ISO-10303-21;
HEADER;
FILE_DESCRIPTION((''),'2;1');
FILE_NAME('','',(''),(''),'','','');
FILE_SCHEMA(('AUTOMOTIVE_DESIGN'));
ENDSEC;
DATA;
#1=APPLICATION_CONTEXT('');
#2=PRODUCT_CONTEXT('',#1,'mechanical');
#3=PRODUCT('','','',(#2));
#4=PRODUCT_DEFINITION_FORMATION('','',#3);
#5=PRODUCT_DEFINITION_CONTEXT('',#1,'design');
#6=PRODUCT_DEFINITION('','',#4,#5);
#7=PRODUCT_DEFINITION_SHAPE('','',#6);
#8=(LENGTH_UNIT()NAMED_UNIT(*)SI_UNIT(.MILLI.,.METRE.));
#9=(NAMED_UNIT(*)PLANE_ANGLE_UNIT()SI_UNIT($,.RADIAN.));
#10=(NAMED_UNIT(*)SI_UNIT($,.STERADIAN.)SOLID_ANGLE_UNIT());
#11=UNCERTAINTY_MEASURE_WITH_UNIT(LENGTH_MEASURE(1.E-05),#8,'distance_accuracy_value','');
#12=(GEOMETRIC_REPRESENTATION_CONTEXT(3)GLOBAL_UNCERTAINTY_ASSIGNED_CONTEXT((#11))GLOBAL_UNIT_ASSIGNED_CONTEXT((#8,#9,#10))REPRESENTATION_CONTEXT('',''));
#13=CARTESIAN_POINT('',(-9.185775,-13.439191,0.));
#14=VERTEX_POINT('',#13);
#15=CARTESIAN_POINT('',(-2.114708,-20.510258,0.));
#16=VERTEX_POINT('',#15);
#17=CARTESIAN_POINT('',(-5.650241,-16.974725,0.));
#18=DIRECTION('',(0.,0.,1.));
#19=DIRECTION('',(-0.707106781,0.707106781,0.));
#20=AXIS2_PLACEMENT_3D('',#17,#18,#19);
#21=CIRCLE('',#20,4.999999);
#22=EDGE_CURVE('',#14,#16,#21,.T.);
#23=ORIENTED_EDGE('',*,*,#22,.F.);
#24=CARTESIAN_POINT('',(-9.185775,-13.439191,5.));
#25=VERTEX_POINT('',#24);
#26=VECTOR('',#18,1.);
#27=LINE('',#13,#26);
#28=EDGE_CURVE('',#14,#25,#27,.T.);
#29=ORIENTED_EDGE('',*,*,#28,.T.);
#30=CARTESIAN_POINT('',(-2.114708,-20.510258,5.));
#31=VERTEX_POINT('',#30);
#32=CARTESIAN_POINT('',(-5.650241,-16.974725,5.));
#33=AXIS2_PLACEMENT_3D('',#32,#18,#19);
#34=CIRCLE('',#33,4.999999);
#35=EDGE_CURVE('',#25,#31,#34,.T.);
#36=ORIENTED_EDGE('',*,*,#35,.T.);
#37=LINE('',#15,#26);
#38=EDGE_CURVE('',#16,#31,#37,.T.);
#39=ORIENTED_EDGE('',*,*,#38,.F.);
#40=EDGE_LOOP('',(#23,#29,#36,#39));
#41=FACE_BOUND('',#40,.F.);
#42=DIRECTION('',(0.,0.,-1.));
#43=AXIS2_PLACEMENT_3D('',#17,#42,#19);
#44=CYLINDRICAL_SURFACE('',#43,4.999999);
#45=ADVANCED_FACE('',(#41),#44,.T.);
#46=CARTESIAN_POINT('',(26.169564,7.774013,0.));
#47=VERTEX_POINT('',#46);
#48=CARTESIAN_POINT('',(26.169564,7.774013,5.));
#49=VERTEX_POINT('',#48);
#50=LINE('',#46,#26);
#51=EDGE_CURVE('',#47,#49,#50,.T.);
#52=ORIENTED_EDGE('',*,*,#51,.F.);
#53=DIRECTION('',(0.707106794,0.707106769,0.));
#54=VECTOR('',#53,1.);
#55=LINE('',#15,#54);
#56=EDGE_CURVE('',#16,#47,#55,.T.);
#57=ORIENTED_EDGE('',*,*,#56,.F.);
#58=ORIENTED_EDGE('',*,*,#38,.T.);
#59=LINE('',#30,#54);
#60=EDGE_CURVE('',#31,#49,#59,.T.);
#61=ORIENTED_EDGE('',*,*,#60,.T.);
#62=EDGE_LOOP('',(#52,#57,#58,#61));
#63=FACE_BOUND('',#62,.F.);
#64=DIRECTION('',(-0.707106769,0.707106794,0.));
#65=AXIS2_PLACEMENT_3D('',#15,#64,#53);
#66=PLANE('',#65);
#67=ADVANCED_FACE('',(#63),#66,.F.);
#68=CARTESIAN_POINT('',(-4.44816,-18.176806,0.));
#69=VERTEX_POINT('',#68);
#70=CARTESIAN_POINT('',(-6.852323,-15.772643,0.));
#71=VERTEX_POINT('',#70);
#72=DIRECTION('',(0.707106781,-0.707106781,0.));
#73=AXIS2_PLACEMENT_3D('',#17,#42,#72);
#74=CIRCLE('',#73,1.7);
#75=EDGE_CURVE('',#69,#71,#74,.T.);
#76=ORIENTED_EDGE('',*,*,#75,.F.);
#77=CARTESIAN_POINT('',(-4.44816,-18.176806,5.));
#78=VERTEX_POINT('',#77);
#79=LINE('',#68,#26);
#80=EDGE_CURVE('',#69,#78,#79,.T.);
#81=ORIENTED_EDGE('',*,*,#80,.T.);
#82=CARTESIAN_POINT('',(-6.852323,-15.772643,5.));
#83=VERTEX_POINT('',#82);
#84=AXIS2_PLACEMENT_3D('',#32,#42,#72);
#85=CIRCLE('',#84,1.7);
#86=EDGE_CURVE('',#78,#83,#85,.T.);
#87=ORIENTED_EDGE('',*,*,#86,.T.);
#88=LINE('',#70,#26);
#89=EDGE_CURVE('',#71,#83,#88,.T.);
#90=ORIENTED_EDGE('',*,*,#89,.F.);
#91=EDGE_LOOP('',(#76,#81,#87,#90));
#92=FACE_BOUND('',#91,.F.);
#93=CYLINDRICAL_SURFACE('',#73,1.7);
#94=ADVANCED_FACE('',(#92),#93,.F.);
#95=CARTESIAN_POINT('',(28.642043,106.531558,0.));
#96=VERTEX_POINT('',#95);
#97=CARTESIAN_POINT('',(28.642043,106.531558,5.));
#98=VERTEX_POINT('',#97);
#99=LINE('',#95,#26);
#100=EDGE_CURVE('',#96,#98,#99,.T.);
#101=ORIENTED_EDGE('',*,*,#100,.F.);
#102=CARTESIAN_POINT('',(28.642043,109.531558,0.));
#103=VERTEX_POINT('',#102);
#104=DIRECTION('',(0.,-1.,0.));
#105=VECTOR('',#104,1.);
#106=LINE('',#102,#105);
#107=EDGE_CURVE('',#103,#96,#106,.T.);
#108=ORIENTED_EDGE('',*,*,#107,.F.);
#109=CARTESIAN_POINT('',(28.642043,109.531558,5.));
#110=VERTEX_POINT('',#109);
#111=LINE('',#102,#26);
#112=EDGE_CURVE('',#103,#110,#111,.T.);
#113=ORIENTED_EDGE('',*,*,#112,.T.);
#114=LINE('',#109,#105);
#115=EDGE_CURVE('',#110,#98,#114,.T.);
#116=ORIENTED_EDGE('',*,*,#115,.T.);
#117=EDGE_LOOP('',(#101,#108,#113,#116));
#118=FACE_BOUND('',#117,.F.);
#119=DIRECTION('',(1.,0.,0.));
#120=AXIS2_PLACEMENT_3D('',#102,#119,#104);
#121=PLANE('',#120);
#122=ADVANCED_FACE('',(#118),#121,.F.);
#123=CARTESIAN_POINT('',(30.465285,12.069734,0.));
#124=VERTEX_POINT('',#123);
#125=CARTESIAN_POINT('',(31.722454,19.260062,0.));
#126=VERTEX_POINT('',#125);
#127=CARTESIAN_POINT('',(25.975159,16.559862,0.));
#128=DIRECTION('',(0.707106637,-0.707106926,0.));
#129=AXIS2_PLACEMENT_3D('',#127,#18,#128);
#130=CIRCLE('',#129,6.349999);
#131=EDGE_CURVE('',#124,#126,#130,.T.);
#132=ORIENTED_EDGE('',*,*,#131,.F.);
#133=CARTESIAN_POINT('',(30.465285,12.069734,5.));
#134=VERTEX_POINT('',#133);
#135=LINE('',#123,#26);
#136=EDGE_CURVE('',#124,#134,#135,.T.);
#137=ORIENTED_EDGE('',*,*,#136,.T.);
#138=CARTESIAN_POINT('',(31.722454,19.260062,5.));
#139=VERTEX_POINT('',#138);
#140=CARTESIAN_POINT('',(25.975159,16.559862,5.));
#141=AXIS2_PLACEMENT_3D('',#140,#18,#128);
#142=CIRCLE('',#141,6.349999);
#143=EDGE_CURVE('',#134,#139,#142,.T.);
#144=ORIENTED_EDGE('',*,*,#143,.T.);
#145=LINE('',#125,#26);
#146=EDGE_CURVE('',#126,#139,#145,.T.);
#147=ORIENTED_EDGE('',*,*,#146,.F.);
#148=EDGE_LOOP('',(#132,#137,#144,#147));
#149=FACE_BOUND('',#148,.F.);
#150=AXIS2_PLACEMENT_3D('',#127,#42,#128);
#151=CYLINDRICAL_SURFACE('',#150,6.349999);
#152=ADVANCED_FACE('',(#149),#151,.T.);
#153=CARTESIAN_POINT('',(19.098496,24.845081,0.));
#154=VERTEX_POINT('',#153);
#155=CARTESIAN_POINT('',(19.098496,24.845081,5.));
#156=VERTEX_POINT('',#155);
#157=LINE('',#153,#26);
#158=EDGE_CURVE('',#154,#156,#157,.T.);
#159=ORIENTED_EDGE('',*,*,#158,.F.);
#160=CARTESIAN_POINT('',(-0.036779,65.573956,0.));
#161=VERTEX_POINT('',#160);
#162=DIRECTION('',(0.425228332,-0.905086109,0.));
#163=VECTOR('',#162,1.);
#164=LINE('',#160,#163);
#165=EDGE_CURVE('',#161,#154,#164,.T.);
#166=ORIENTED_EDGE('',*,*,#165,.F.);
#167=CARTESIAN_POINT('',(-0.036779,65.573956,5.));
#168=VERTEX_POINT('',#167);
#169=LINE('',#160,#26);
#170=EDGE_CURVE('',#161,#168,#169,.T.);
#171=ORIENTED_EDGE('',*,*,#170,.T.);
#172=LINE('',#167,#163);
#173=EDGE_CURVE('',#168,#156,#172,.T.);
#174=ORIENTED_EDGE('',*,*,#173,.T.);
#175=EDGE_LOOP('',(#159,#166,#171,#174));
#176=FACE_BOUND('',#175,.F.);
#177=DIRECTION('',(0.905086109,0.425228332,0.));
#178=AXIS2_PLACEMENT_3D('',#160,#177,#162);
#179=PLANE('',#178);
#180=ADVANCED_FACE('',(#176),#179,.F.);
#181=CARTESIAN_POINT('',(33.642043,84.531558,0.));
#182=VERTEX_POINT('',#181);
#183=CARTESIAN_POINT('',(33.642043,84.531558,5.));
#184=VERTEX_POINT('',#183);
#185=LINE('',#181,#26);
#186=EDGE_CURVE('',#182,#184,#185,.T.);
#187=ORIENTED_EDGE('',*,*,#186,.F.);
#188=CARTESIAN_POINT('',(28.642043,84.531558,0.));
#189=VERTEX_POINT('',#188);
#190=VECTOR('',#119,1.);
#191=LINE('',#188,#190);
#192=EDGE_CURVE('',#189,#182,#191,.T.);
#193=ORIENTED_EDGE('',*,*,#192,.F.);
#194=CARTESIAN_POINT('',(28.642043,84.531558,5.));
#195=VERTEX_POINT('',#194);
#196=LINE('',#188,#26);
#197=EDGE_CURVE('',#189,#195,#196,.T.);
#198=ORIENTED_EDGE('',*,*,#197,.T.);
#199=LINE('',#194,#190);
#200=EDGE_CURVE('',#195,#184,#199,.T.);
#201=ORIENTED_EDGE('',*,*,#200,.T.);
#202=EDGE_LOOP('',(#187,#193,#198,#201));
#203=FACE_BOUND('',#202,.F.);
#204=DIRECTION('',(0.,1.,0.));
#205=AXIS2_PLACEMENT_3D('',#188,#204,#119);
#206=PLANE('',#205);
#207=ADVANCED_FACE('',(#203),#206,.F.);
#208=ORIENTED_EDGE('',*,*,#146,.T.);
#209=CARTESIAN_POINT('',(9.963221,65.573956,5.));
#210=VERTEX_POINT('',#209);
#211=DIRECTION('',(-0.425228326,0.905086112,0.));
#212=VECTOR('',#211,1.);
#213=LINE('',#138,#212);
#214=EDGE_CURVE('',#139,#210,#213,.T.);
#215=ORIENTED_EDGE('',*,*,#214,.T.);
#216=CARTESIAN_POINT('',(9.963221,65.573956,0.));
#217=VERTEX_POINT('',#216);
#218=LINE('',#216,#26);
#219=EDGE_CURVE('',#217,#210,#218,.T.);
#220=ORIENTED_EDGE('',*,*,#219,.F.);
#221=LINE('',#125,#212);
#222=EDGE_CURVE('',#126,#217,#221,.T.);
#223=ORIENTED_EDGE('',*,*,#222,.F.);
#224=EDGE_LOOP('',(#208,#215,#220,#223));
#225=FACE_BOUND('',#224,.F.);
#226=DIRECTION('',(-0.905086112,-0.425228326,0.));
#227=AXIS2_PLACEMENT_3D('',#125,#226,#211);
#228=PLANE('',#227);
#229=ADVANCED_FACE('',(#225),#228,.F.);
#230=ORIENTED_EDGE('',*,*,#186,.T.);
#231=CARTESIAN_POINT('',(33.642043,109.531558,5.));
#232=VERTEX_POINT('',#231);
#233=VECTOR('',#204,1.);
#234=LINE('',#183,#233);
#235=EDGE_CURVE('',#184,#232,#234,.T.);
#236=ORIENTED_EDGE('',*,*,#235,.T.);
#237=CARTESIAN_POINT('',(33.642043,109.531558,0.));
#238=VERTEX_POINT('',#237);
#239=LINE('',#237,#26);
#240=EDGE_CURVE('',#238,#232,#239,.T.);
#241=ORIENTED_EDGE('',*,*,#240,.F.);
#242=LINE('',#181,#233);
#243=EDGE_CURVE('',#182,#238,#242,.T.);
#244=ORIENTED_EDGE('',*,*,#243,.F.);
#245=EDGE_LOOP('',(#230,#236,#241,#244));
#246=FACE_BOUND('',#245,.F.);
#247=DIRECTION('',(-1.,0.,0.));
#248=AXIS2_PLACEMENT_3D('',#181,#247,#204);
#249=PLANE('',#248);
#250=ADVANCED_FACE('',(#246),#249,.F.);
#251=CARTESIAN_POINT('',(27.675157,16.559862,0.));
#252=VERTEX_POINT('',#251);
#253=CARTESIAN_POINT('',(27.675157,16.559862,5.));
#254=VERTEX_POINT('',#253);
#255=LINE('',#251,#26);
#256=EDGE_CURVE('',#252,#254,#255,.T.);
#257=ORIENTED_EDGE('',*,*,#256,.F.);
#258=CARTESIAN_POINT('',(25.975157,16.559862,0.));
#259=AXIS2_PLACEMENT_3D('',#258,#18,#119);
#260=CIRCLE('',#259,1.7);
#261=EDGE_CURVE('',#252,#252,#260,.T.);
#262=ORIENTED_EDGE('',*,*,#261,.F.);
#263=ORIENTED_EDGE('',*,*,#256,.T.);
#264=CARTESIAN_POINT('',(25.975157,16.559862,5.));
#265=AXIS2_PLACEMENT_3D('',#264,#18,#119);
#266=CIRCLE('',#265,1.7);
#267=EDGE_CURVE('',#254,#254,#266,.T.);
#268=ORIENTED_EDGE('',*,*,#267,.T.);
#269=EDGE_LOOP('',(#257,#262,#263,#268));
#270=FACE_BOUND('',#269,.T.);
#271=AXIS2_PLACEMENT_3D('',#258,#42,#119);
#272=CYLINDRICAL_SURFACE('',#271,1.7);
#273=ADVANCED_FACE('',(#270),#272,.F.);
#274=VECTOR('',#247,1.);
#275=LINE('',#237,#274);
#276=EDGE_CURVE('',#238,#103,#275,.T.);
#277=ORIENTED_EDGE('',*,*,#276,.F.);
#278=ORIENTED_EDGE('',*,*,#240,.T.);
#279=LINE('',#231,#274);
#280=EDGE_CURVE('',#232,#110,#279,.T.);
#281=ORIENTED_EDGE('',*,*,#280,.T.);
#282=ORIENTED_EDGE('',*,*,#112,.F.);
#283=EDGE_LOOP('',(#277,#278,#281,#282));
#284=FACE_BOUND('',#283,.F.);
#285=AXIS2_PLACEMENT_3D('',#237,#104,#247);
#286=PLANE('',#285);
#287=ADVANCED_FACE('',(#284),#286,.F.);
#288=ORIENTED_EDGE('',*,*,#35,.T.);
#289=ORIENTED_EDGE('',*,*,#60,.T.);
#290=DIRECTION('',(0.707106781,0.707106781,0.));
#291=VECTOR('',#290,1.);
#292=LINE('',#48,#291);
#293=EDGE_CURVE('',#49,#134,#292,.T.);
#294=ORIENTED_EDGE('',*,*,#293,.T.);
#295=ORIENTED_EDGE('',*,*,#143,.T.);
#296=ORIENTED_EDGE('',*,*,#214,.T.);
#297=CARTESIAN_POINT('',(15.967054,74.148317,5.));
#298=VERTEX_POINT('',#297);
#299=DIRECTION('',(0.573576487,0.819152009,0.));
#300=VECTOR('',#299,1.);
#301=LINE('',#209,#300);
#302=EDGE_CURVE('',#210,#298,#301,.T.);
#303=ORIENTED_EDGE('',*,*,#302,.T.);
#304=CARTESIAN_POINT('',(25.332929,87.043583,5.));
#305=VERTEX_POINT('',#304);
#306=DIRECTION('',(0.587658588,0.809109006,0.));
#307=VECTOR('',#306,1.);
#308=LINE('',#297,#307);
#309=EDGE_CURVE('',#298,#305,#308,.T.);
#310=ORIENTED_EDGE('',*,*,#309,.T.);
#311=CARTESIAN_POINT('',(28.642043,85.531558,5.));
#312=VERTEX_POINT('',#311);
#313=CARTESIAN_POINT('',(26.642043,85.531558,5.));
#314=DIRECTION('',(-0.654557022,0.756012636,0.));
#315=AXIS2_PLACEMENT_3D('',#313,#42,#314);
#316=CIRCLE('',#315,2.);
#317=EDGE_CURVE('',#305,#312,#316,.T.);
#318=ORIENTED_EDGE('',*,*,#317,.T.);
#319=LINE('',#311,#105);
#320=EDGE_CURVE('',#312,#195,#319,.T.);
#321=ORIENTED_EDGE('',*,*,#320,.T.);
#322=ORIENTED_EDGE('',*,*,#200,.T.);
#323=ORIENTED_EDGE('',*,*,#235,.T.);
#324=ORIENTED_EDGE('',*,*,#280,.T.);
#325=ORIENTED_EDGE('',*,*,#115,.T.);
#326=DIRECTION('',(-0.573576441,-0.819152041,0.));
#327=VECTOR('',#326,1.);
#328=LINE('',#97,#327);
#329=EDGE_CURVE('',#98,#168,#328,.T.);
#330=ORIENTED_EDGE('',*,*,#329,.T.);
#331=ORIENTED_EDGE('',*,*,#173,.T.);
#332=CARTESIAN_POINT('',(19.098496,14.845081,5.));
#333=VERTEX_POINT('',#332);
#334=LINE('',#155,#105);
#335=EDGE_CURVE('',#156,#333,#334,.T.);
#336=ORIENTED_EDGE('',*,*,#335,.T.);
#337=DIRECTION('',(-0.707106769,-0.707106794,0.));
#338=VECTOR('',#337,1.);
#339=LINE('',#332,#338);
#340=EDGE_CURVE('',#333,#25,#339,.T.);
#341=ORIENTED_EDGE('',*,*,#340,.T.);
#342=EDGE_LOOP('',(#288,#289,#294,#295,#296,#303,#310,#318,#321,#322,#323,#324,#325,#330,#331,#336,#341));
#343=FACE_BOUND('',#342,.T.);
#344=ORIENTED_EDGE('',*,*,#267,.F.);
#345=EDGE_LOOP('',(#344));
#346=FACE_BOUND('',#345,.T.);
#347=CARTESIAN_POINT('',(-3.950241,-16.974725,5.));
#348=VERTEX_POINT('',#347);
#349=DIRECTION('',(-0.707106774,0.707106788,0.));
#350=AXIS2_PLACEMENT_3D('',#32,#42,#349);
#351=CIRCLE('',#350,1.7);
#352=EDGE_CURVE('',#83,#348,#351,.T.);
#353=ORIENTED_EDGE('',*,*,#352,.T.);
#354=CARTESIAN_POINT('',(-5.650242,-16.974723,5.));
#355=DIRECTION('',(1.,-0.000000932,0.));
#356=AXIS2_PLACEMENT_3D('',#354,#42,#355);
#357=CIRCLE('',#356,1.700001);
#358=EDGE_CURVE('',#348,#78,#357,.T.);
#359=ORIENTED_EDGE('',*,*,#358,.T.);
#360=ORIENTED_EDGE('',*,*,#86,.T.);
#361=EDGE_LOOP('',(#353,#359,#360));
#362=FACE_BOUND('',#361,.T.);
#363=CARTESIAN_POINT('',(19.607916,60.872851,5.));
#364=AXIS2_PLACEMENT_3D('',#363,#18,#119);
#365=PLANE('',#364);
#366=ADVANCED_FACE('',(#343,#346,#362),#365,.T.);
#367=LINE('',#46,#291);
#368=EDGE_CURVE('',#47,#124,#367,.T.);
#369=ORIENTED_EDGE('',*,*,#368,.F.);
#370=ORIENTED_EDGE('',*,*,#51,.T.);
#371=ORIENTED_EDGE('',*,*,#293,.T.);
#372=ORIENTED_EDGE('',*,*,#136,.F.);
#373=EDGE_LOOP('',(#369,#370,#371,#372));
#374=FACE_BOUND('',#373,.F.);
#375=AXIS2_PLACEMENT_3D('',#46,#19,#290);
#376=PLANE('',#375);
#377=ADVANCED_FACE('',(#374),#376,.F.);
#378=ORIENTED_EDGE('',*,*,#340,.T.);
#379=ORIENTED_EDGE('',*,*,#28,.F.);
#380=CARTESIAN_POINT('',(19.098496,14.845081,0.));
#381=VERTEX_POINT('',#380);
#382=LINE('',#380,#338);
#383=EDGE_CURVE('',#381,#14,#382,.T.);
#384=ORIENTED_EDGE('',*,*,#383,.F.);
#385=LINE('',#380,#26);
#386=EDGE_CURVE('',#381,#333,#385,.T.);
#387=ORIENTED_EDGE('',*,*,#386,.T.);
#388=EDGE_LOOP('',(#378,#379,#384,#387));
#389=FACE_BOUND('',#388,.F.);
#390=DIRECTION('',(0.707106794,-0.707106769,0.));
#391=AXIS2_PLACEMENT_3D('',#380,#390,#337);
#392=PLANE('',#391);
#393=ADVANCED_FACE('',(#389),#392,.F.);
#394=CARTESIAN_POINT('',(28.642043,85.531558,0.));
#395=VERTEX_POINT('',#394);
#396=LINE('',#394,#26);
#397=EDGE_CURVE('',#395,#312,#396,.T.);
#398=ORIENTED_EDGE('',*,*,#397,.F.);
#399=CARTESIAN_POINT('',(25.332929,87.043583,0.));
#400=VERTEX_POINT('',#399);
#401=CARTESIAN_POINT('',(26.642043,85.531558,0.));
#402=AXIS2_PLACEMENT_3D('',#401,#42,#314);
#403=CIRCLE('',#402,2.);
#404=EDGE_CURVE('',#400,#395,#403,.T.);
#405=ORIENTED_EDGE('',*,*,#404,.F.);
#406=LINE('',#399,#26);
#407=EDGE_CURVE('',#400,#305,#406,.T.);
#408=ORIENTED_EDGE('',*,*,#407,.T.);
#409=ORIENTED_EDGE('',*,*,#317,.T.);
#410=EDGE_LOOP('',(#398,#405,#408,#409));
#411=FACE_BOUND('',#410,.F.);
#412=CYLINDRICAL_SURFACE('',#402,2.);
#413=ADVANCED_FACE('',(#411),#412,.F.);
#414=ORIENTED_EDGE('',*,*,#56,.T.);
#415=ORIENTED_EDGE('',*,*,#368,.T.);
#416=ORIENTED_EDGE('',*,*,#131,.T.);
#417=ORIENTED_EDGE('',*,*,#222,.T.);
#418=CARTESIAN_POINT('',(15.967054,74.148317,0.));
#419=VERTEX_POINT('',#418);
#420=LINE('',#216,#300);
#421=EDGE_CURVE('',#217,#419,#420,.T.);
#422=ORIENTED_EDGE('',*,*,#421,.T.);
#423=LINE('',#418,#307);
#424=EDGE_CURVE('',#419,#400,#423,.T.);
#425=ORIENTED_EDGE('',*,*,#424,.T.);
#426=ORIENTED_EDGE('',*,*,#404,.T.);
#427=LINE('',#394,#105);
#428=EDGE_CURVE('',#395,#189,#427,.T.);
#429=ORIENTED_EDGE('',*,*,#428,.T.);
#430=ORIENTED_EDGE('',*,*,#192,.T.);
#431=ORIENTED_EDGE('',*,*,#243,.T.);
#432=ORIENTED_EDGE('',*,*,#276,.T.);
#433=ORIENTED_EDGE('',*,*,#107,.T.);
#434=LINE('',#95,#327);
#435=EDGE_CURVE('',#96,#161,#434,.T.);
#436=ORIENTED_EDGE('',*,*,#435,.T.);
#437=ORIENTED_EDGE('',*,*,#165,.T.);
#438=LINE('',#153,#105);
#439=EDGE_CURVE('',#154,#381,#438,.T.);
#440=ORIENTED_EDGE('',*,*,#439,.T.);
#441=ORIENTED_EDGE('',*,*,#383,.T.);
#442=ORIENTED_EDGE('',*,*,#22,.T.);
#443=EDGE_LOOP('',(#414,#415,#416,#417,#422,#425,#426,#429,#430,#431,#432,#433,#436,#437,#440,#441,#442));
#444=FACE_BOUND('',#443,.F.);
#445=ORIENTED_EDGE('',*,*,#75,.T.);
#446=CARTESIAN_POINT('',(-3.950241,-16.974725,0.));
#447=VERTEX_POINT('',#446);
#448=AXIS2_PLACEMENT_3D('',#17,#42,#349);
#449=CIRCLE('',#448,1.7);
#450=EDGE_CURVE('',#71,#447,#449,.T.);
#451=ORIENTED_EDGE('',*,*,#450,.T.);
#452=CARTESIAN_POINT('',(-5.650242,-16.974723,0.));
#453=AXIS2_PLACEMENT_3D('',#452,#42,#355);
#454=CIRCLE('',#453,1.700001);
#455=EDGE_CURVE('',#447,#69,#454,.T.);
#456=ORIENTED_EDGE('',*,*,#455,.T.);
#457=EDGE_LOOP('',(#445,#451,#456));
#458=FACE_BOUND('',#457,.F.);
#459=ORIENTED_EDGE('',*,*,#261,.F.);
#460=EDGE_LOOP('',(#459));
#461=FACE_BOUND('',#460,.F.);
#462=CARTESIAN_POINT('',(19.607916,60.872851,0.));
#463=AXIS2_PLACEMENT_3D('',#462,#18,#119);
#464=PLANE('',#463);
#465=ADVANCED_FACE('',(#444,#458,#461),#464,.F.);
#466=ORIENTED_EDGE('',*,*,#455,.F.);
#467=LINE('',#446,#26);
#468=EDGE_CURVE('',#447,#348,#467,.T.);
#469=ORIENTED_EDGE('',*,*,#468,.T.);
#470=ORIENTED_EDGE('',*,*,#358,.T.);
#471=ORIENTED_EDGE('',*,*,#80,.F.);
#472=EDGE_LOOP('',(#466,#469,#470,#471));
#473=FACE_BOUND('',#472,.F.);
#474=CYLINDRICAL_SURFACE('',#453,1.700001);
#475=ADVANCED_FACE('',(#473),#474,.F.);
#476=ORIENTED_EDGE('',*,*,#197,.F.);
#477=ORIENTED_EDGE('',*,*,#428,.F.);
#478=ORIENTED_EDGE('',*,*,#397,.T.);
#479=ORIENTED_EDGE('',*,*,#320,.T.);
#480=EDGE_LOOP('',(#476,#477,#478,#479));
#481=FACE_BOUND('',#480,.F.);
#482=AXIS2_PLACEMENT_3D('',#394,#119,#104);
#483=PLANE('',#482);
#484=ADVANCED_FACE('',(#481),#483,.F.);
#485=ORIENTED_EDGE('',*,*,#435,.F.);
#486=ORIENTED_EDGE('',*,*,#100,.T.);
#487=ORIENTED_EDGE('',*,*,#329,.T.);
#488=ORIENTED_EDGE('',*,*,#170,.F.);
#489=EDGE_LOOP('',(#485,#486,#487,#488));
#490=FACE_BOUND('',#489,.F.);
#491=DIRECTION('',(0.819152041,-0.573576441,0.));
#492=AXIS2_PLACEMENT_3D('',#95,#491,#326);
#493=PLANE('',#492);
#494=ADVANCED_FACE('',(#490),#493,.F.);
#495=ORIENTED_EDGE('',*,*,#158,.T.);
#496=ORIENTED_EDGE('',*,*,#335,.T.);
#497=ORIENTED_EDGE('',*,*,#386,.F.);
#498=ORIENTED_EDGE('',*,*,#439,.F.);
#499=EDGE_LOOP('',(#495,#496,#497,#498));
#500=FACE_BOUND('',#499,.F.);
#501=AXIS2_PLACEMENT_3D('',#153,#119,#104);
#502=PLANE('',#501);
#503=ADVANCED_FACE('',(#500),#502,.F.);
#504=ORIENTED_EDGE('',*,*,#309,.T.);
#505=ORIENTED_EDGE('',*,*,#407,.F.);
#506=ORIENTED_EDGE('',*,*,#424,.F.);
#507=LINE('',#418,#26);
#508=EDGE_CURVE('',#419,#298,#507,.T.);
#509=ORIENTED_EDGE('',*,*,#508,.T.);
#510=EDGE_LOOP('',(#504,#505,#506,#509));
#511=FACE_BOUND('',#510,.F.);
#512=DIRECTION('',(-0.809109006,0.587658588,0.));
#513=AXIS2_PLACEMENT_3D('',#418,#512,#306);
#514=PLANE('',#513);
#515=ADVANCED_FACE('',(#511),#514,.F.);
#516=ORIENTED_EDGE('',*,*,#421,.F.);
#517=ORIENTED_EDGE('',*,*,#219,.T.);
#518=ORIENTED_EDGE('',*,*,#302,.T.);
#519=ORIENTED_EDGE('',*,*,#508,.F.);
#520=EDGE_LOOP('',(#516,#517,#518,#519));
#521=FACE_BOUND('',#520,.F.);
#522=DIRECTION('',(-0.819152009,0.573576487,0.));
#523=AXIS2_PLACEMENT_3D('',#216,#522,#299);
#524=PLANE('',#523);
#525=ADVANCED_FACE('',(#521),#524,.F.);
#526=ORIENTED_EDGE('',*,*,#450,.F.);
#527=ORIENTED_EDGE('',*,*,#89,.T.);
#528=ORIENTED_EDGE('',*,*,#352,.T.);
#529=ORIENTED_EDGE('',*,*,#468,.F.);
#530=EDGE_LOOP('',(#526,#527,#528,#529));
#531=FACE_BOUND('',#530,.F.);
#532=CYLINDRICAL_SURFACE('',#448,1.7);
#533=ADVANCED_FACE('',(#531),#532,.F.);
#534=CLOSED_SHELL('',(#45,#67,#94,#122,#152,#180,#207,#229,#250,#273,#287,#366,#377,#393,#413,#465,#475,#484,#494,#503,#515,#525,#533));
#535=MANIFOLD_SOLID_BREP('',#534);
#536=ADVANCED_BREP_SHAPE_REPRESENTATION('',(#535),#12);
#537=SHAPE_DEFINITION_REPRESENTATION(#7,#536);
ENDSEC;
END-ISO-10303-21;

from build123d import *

# Parameters (mm, degrees)
F0_R     = 1.7
F1_DEPTH = 5


with BuildPart() as f1:
    # F0 (on Top) → F1 (new body)
    with BuildSketch(Plane.XY):
        with BuildLine():
            Line((33.642043, 109.531558), (28.642043, 109.531558))
            Line((28.642043, 109.531558), (28.642043, 106.531558))
            Line((28.642043, 106.531558), (-0.036779, 65.573956))
            Line((-0.036779, 65.573956), (19.098496, 24.845081))
            Line((19.098496, 24.845081), (19.098496, 14.845081))
            Line((19.098496, 14.845081), (26.169564, 7.774013))
            Line((26.169564, 7.774013), (30.465285, 12.069734))
            ThreePointArc((30.465285, 12.069734), (32.230269, 15.466208), (31.722454, 19.260062))
            Line((31.722454, 19.260062), (9.963221, 65.573956))
            Line((9.963221, 65.573956), (15.967054, 74.148317))
            Line((15.967054, 74.148317), (25.332929, 87.043583))
            ThreePointArc((25.332929, 87.043583), (27.473238, 87.350655), (28.642043, 85.531558))
            Line((28.642043, 85.531558), (28.642043, 84.531558))
            Line((28.642043, 84.531558), (33.642043, 84.531558))
            Line((33.642043, 84.531558), (33.642043, 109.531558))
        make_face()
        with Locations((25.975157, 16.559862)):
            Circle(F0_R, mode=Mode.SUBTRACT)
        with BuildLine():
            Line((26.169564, 7.774013), (19.098496, 14.845081))
            Line((19.098496, 14.845081), (-9.185775, -13.439191))
            Line((-9.185775, -13.439191), (-6.852323, -15.772643))
            ThreePointArc((-6.852323, -15.772643), (-4.99968, -15.404129), (-3.950241, -16.974725))
            ThreePointArc((-3.950241, -16.974725), (-4.079646, -17.625286), (-4.44816, -18.176806))
            Line((-4.44816, -18.176806), (-2.114708, -20.510258))
            Line((-2.114708, -20.510258), (26.169564, 7.774013))
        make_face()
        with BuildLine():
            Line((-6.852323, -15.772643), (-9.185775, -13.439191))
            ThreePointArc((-9.185775, -13.439191), (-9.185775, -20.510258), (-2.114708, -20.510258))
            Line((-2.114708, -20.510258), (-4.44816, -18.176806))
            ThreePointArc((-4.44816, -18.176806), (-6.852323, -18.176806), (-6.852323, -15.772643))
        make_face()
    extrude(amount=F1_DEPTH)


solid = f1.part
